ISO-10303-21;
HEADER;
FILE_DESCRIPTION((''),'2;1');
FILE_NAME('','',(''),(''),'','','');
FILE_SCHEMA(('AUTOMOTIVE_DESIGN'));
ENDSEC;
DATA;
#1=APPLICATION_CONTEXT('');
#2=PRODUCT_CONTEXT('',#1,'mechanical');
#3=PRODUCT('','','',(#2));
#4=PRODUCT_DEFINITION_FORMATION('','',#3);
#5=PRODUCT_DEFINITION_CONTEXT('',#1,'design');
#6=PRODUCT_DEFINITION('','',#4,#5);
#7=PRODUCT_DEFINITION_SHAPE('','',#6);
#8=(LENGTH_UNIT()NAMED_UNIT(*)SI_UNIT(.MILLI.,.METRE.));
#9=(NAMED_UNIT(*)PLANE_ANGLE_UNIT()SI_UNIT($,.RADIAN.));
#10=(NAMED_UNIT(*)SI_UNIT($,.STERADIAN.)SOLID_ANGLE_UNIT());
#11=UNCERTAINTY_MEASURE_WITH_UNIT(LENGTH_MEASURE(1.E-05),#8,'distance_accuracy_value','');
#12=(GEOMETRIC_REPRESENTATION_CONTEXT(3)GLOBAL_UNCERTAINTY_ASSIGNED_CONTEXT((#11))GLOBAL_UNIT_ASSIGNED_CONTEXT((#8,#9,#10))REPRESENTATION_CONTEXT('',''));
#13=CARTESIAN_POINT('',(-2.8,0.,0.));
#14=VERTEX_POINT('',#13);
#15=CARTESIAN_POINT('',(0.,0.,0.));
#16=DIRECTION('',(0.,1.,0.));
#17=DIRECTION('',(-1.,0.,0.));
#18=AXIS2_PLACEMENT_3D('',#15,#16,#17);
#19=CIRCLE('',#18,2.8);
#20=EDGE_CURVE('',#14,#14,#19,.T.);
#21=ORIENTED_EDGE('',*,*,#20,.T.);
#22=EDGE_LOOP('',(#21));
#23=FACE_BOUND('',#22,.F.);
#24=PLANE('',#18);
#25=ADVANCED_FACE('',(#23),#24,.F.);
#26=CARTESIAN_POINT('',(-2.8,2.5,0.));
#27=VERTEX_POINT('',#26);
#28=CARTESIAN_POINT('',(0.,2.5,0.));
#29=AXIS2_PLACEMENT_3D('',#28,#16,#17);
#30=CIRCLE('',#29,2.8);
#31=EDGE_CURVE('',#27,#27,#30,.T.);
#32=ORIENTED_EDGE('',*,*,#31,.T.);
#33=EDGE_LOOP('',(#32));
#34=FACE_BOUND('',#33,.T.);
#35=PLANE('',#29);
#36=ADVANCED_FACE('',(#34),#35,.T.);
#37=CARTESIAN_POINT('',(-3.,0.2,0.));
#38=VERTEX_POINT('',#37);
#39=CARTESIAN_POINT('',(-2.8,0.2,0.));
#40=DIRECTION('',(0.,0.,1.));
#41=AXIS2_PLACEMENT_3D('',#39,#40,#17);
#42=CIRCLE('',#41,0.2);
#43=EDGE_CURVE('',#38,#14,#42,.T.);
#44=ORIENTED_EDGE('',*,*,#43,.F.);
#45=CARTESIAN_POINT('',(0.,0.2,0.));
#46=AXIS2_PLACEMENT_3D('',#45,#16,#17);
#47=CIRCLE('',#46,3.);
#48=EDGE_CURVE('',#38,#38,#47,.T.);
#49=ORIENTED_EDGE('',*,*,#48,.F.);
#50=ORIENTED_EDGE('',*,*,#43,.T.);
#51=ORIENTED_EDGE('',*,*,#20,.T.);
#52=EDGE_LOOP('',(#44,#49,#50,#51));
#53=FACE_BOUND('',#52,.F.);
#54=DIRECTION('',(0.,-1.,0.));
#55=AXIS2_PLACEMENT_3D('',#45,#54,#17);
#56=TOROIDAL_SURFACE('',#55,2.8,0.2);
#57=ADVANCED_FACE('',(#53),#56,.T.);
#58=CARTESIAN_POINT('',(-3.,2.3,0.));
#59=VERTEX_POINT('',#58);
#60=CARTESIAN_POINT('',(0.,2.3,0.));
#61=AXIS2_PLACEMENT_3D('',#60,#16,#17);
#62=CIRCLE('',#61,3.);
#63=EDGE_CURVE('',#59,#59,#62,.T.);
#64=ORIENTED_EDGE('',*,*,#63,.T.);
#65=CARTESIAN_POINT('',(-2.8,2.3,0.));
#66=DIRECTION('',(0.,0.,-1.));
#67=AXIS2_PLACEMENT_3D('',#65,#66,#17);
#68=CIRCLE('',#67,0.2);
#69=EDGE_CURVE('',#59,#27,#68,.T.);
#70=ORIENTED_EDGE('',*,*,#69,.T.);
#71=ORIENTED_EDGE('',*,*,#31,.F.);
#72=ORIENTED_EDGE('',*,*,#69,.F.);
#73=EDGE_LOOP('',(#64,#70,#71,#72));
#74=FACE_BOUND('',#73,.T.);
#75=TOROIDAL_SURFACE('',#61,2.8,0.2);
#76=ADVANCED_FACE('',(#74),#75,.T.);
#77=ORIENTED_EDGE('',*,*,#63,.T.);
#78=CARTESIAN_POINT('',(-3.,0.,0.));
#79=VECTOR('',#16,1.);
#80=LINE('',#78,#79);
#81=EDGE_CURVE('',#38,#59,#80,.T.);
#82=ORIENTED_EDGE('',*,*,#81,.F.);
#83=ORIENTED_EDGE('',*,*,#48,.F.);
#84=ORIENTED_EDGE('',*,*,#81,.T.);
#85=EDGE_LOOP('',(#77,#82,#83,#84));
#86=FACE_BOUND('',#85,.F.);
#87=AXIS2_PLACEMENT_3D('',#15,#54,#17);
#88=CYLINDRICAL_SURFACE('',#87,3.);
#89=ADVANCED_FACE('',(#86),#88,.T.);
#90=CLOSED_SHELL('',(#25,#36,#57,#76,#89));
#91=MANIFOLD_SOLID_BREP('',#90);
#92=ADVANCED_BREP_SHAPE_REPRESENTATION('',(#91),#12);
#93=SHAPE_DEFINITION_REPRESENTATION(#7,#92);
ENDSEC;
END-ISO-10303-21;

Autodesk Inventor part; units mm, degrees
ref_plane "YZ Plane" through (0, 0, 0) normal (1, 0, 0) x (0, 1, 0)
ref_plane "XZ Plane" through (0, 0, 0) normal (0, 1, 0) x (-1, 0, 0)
ref_plane "XY Plane" through (0, 0, 0) normal (0, 0, 1) x (1, 0, 0)
sketch "Sketch1" plane through (0, 0, 0) normal (0, 1, 0) x (-1, 0, 0)
  circle A0 centre (0, 0) radius 3
  dimension "d0" = 6
extrude "Extrusion1" add sketch "Sketch1" along normal blind 2.5
fillet "Fillet1" radius 0.2 2 edges at (3, 2.5, 0) (3, 0, 0)
properties part number "DiametricMagnet_625"
